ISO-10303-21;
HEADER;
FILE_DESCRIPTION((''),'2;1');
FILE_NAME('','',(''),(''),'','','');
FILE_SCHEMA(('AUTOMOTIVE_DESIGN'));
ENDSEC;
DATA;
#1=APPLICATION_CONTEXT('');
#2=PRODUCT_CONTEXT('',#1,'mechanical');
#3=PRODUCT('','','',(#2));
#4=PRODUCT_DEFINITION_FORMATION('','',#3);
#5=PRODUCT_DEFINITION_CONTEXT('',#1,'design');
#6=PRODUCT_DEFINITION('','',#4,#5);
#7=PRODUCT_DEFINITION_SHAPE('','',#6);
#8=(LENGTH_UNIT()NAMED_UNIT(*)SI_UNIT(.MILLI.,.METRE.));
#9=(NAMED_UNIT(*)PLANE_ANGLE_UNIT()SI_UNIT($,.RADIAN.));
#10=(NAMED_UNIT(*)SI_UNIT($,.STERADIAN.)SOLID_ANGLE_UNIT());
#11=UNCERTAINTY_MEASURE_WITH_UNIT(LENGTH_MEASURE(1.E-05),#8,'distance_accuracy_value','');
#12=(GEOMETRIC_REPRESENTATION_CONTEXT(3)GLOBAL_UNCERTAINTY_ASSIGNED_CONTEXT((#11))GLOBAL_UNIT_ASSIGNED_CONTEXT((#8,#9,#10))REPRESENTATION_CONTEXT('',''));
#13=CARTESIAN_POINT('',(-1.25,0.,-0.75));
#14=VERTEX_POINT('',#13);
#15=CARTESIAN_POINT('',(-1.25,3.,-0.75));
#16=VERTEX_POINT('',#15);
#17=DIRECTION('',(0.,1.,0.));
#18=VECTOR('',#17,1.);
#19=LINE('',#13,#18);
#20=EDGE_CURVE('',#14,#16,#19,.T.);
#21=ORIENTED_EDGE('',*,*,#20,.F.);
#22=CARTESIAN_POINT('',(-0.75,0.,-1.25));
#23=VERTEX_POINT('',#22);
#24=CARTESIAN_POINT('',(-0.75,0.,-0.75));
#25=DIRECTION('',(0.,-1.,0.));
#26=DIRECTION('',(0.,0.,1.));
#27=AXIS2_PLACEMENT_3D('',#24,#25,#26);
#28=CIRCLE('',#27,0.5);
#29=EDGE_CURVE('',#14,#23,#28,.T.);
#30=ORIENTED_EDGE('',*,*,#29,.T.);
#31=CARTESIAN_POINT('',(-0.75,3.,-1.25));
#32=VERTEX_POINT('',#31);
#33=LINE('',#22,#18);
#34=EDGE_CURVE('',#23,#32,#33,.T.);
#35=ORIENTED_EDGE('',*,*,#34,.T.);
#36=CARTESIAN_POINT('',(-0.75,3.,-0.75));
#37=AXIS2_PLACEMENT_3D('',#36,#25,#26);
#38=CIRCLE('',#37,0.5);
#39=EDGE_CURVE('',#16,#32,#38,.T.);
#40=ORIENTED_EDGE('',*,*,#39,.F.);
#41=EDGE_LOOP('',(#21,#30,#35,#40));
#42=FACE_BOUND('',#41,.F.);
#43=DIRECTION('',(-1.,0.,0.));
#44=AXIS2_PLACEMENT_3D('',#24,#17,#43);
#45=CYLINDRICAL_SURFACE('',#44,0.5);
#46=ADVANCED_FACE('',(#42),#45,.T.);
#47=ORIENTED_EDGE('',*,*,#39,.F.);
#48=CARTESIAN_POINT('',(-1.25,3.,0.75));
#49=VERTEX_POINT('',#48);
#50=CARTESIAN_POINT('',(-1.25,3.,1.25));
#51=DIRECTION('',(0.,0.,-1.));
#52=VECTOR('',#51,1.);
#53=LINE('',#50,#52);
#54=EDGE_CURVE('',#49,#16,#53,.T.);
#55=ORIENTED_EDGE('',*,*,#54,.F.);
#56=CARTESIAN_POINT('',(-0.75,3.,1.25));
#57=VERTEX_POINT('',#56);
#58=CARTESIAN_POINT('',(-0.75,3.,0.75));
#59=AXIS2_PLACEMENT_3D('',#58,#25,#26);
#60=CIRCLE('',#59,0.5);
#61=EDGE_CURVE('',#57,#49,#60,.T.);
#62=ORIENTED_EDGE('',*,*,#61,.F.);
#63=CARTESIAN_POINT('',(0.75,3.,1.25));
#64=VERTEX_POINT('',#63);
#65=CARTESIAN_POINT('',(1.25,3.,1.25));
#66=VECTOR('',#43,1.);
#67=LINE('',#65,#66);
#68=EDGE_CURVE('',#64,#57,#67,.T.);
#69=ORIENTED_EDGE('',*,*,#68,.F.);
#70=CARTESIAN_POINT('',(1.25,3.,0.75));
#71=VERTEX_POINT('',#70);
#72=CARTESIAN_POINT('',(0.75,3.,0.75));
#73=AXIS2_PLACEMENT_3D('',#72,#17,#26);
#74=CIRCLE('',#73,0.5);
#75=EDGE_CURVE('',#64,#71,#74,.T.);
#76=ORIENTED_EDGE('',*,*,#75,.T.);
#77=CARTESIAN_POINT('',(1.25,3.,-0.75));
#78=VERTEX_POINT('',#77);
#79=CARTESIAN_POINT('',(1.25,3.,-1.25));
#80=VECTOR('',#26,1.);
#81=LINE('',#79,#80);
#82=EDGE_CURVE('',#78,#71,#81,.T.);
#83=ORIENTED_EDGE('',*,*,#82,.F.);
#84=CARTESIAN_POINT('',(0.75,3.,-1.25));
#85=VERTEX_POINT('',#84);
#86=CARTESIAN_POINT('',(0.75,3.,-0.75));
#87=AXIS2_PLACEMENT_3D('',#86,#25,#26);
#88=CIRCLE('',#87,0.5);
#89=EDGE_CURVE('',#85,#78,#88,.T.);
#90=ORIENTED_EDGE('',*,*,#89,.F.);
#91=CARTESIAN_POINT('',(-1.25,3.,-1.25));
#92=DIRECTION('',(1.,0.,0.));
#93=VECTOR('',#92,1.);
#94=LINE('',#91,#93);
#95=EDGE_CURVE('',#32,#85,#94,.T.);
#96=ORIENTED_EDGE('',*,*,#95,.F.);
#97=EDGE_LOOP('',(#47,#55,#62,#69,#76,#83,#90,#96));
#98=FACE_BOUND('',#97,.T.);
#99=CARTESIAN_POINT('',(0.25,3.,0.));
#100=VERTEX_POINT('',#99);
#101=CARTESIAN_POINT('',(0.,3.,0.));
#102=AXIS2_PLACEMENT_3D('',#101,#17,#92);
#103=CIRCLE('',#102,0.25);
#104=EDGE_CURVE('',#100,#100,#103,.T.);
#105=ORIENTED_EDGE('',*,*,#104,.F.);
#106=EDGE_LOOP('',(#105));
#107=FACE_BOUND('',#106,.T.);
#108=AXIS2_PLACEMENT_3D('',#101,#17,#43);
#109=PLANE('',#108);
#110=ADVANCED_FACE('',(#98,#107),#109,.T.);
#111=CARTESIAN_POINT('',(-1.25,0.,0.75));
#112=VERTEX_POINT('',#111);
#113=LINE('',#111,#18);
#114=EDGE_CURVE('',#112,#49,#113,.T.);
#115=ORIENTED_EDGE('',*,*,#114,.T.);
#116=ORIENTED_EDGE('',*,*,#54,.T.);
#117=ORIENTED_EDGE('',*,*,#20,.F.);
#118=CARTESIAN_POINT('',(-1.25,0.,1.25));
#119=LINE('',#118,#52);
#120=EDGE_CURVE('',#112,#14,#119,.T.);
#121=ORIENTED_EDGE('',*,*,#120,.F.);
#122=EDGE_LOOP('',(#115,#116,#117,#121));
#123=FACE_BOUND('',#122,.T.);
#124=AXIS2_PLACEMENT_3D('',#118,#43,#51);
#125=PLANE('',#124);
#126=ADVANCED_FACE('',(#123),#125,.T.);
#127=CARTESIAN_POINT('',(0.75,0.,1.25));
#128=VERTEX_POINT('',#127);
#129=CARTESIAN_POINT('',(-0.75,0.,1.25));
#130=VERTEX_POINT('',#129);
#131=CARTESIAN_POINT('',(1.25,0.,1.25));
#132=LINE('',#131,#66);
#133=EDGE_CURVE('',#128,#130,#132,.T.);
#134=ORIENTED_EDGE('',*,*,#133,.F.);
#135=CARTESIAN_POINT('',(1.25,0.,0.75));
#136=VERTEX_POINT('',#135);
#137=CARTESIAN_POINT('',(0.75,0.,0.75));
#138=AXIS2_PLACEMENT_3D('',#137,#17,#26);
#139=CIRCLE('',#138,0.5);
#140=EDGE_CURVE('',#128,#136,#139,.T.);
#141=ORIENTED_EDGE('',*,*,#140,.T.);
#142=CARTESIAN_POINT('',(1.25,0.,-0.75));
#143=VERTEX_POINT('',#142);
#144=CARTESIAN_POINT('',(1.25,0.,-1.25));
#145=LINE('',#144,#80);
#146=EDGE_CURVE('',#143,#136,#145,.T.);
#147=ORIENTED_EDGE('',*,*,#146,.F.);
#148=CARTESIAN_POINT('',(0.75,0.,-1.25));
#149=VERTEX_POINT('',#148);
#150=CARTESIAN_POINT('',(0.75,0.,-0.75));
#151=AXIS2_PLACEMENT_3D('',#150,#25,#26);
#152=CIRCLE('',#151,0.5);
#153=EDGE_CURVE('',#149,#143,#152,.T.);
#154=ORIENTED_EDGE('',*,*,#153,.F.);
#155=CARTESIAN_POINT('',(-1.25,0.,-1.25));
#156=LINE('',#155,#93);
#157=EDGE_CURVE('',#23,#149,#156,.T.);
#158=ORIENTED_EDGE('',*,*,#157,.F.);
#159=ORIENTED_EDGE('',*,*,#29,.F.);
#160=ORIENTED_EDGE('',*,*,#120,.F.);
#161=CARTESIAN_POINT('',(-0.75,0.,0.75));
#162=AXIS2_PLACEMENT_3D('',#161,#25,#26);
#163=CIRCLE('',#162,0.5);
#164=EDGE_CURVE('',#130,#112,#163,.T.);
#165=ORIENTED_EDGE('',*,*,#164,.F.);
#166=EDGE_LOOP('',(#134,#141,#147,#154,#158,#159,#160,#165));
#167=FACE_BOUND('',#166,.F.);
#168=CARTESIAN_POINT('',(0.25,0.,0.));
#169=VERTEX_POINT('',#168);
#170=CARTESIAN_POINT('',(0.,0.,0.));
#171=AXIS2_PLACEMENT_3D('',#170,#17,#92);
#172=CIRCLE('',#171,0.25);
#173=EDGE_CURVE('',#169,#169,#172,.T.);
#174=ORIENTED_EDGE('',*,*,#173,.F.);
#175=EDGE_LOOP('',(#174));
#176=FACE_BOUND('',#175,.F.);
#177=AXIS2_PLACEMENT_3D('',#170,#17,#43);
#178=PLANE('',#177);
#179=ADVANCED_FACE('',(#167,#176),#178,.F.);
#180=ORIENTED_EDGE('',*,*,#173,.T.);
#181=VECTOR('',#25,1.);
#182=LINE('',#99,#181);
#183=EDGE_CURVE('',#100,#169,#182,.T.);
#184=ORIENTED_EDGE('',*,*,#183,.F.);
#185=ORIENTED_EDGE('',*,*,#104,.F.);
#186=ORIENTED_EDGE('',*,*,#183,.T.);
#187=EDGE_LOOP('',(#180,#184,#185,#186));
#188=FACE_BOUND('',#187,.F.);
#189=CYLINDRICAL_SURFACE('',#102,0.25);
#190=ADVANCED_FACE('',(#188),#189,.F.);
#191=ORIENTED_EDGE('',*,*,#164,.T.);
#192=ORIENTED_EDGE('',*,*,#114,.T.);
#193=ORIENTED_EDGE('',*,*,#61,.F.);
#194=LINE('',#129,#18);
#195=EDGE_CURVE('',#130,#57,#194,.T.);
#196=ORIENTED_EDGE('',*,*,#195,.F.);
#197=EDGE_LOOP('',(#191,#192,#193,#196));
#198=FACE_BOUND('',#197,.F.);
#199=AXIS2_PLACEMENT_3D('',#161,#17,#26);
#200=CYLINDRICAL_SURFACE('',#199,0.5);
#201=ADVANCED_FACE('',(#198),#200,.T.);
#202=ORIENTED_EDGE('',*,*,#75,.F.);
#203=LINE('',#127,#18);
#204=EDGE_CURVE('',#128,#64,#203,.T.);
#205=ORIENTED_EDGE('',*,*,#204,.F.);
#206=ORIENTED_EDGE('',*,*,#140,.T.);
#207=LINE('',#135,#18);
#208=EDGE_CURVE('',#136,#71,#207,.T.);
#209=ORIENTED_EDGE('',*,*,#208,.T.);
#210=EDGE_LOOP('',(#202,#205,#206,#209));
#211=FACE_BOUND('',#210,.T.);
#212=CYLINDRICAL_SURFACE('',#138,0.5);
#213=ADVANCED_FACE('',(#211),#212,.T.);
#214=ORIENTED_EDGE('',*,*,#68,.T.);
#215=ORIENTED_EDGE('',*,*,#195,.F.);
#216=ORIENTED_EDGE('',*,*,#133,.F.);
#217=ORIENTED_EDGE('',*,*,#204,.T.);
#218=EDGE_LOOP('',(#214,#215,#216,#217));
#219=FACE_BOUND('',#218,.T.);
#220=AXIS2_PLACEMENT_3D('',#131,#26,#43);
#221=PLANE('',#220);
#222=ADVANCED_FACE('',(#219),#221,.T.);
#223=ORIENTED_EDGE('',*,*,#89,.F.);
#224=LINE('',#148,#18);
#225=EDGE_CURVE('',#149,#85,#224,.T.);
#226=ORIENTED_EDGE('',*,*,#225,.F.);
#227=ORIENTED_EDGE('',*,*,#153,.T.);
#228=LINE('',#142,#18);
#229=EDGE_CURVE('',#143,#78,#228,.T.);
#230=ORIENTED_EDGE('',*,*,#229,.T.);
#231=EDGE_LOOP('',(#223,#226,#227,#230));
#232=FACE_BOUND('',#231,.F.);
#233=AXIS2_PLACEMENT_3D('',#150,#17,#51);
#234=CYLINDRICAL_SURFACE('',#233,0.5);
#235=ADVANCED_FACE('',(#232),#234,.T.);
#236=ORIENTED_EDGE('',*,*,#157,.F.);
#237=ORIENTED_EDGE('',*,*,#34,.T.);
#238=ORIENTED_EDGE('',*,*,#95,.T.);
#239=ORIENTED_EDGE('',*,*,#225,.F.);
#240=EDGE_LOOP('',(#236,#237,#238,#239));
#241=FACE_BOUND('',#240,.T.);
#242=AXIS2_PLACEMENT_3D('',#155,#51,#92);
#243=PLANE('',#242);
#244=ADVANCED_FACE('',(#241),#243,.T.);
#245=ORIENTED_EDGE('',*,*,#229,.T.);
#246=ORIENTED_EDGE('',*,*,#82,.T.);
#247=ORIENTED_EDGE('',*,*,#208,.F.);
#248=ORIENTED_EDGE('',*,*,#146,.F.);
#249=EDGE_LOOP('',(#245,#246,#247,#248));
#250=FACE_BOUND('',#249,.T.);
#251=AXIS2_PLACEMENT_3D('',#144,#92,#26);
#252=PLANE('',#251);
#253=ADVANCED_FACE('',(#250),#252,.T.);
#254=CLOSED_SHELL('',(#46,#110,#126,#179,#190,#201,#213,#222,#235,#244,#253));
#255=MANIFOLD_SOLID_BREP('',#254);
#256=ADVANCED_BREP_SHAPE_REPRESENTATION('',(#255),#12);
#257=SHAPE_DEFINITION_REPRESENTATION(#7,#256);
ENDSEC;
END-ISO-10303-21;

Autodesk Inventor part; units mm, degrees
ref_plane "YZ Plane" through (0, 0, 0) normal (1, 0, 0) x (0, 1, 0)
ref_plane "XZ Plane" through (0, 0, 0) normal (0, 1, 0) x (-1, 0, 0)
ref_plane "XY Plane" through (0, 0, 0) normal (0, 0, 1) x (1, 0, 0)
sketch "Sketch1" plane through (0, 0, 0) normal (0, 1, 0) x (-1, 0, 0)
  line L0 (-1.25, 1.25) -> (1.25, 1.25)
  line L1 (1.25, 1.25) -> (1.25, -1.25)
  line L2 (1.25, -1.25) -> (-1.25, -1.25)
  line L3 (-1.25, -1.25) -> (-1.25, 1.25)
  line L4 (-1.25, 1.25) -> (1.25, -1.25) construction
  line L5 (1.25, 1.25) -> (-1.25, -1.25) construction
  point P0 (0, 0)
  dimension "d0" = 2.5
  dimension "d1" = 2.5
extrude "Extrusion1" add sketch "Sketch1" along normal blind 3
fillet "Fillet1" radius 0.5 4 edges at (-1.25, 1.5, 1.25) (1.25, 1.5, 1.25) (1.25, 1.5, -1.25) (-1.25, 1.5, -1.25)
sketch "Sketch2" plane through (0, 3, 0) normal (0, 1, 0) x (1, 0, 0)
  circle A0 centre (0, 0) radius 0.25
  dimension "d5" = 0.5
extrude "Extrusion2" cut sketch "Sketch2" against normal blind 3
properties part number "block"
